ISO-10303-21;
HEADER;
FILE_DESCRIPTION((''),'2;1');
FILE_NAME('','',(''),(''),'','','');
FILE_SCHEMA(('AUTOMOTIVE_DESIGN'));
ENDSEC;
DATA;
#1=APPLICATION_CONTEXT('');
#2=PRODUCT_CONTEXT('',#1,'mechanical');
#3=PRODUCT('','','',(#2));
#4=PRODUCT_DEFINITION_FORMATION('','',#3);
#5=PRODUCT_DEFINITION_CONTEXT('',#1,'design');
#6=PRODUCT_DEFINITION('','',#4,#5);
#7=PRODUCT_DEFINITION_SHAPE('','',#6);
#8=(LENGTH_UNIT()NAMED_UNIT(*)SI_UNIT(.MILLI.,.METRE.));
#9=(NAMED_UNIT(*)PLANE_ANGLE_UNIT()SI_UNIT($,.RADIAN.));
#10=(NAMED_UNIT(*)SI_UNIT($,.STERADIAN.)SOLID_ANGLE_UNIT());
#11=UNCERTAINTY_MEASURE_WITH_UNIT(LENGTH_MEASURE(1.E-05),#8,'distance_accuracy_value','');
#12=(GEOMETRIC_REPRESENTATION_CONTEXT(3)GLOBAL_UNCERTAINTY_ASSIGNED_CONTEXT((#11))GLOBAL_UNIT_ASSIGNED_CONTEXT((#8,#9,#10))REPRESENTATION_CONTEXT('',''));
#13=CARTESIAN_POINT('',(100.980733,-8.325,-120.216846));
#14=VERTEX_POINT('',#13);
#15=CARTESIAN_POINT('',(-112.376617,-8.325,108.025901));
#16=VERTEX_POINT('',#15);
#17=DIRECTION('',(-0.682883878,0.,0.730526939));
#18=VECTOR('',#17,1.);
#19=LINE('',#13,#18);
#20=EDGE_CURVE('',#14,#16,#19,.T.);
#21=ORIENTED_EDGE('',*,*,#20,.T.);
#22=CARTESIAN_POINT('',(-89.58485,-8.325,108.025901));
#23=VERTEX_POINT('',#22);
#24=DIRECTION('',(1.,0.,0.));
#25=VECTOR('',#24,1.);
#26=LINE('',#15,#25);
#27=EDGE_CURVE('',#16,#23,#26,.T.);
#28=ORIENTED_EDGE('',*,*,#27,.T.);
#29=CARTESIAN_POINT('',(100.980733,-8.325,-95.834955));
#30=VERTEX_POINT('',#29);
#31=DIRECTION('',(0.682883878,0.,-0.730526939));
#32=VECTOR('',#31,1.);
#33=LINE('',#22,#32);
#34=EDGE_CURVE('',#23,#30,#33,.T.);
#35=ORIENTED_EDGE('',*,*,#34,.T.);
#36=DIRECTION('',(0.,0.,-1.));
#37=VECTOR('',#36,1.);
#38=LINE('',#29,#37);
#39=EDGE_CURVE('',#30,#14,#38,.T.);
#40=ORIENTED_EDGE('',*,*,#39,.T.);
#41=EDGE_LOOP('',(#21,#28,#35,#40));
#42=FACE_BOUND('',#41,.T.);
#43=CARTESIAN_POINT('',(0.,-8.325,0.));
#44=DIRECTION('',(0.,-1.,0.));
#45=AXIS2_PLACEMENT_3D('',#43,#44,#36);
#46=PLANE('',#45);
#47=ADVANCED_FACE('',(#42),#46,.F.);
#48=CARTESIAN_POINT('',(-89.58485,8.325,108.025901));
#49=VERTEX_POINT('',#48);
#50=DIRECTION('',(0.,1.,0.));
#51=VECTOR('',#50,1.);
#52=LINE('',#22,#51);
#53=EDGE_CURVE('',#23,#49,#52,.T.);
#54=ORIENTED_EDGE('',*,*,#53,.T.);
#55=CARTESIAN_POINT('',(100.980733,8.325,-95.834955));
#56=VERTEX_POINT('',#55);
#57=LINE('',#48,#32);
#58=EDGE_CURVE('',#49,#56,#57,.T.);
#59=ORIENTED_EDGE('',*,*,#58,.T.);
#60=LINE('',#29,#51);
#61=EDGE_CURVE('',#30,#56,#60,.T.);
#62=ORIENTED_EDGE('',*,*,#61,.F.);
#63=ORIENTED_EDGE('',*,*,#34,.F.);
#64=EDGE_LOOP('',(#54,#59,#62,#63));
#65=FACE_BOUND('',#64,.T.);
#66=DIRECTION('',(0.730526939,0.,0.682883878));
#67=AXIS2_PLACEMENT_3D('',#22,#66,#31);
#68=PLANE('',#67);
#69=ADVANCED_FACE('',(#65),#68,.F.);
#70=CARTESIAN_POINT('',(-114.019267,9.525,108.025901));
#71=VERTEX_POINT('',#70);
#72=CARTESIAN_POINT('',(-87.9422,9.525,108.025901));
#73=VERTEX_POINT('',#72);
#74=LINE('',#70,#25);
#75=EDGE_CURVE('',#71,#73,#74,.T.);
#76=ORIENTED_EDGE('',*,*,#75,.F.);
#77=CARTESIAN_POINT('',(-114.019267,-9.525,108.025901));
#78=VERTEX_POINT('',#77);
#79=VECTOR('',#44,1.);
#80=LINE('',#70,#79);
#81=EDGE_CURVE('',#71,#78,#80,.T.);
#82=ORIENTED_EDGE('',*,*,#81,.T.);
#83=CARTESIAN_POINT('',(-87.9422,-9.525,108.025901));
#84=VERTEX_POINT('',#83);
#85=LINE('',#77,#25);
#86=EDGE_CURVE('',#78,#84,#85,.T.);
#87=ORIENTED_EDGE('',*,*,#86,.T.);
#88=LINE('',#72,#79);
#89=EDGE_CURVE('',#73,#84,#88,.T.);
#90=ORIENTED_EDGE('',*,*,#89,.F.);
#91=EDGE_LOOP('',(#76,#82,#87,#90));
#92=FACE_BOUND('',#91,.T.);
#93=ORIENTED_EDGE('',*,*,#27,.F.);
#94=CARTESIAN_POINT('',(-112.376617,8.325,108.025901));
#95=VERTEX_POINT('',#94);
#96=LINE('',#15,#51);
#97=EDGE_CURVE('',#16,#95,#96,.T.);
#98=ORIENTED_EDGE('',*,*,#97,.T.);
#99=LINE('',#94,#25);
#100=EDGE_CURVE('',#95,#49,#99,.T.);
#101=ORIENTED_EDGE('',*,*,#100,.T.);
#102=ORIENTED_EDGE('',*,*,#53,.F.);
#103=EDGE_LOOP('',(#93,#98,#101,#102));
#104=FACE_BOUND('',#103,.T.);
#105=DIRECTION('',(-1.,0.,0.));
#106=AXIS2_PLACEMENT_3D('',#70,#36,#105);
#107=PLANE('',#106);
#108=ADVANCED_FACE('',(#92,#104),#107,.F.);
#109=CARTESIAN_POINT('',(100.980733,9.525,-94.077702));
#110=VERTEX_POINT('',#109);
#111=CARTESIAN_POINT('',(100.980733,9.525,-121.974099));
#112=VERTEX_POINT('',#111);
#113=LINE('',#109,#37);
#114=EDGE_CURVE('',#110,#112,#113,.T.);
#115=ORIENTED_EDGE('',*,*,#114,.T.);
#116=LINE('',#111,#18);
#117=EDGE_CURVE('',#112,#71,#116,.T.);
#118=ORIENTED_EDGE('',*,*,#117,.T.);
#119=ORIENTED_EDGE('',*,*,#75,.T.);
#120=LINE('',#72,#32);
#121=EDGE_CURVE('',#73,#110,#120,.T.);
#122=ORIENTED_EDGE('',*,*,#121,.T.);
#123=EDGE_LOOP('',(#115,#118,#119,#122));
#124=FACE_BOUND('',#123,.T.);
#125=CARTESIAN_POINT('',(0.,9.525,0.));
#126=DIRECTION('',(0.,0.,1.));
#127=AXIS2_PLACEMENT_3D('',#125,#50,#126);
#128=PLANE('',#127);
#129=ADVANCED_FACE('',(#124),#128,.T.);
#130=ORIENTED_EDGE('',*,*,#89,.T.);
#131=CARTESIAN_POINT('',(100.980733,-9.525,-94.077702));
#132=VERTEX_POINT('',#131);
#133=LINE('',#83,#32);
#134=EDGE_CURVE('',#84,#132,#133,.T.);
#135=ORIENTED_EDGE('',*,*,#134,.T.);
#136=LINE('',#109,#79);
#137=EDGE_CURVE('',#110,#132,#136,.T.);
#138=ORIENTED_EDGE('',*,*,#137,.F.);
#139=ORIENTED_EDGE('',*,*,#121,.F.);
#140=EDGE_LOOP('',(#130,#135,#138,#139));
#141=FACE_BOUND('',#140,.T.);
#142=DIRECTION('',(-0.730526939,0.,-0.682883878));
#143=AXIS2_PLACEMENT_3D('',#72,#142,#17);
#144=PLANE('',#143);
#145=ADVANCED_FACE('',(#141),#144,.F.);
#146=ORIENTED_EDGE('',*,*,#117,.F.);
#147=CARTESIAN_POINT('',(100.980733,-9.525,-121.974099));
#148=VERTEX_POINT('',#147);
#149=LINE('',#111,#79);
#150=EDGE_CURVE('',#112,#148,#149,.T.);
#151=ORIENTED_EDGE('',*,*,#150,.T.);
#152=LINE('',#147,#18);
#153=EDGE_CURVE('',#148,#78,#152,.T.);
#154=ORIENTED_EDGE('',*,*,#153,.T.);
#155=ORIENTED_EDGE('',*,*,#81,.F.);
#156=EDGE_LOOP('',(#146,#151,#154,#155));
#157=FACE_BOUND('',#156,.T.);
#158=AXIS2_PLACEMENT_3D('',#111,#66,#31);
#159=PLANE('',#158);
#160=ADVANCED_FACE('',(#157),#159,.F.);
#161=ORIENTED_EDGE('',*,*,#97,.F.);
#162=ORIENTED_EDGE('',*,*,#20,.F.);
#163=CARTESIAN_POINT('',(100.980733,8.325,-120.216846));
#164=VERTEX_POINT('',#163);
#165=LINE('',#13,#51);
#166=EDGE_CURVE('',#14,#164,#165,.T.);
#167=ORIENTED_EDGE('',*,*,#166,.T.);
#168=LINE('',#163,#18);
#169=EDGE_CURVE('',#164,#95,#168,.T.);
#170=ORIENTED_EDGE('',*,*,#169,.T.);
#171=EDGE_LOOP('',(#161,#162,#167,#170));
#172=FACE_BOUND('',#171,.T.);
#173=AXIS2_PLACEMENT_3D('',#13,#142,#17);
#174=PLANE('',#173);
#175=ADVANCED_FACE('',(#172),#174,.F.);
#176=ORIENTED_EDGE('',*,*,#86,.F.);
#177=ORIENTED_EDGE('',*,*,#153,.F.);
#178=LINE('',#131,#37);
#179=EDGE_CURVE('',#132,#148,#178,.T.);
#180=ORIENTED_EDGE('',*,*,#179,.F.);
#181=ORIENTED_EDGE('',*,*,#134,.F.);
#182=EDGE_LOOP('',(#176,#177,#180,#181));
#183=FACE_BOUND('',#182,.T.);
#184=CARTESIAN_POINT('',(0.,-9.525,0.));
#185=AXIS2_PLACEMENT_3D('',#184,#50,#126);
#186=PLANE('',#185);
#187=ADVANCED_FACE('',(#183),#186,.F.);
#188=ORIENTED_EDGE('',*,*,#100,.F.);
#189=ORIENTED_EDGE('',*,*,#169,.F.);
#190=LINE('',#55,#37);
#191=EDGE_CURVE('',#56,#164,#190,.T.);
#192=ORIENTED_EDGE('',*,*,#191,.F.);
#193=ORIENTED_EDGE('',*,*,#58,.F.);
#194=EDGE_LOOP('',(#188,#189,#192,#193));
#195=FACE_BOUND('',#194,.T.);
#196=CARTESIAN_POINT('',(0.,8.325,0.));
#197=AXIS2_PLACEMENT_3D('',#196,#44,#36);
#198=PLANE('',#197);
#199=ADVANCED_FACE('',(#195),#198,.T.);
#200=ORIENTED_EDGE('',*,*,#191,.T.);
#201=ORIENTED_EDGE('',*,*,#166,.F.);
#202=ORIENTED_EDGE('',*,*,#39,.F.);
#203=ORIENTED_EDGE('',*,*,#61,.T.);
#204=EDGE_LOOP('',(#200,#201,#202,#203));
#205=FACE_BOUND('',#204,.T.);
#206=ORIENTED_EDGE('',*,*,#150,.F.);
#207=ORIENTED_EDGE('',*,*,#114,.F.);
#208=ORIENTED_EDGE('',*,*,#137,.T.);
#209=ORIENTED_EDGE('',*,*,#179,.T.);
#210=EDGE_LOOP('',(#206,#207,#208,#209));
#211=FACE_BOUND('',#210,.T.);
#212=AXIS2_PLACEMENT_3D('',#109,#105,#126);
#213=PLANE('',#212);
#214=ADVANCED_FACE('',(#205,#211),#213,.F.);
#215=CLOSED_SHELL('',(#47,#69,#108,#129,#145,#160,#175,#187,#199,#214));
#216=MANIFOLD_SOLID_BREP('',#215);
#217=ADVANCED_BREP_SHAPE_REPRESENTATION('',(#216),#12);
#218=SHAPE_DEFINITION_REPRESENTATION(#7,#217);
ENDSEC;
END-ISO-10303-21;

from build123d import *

# Parameters (mm, degrees)
BOSS_EXTRUDE2_DEPTH = 9.525
CUT_EXTRUDE1_DEPTH  = 8.325


with BuildPart() as part:
    # Sketch1 → Boss-Extrude2 (new, symmetric)
    with BuildSketch(Plane(origin=(0, 0, 0), x_dir=(1, 0, 0), z_dir=(0, 1, 0))):
        Polygon((-114.01926677, -108.025900665), (-87.942199691, -108.025900665), (100.98073323, 94.077701995), (100.98073323, 121.974099335), align=None)
    extrude(amount=BOSS_EXTRUDE2_DEPTH, both=True)

    # Sketch4 → Cut-Extrude1 (cut, symmetric)
    with BuildSketch(Plane(origin=(0, 0, 0), x_dir=(1, 0, 0), z_dir=(0, 1, 0))):
        Polygon((100.98073323, 95.83495537), (100.98073323, 120.216845959), (-112.376616875, -108.025900665), (-89.584849585, -108.025900665), align=None)
    extrude(amount=CUT_EXTRUDE1_DEPTH, both=True, mode=Mode.SUBTRACT)


solid = part.part
